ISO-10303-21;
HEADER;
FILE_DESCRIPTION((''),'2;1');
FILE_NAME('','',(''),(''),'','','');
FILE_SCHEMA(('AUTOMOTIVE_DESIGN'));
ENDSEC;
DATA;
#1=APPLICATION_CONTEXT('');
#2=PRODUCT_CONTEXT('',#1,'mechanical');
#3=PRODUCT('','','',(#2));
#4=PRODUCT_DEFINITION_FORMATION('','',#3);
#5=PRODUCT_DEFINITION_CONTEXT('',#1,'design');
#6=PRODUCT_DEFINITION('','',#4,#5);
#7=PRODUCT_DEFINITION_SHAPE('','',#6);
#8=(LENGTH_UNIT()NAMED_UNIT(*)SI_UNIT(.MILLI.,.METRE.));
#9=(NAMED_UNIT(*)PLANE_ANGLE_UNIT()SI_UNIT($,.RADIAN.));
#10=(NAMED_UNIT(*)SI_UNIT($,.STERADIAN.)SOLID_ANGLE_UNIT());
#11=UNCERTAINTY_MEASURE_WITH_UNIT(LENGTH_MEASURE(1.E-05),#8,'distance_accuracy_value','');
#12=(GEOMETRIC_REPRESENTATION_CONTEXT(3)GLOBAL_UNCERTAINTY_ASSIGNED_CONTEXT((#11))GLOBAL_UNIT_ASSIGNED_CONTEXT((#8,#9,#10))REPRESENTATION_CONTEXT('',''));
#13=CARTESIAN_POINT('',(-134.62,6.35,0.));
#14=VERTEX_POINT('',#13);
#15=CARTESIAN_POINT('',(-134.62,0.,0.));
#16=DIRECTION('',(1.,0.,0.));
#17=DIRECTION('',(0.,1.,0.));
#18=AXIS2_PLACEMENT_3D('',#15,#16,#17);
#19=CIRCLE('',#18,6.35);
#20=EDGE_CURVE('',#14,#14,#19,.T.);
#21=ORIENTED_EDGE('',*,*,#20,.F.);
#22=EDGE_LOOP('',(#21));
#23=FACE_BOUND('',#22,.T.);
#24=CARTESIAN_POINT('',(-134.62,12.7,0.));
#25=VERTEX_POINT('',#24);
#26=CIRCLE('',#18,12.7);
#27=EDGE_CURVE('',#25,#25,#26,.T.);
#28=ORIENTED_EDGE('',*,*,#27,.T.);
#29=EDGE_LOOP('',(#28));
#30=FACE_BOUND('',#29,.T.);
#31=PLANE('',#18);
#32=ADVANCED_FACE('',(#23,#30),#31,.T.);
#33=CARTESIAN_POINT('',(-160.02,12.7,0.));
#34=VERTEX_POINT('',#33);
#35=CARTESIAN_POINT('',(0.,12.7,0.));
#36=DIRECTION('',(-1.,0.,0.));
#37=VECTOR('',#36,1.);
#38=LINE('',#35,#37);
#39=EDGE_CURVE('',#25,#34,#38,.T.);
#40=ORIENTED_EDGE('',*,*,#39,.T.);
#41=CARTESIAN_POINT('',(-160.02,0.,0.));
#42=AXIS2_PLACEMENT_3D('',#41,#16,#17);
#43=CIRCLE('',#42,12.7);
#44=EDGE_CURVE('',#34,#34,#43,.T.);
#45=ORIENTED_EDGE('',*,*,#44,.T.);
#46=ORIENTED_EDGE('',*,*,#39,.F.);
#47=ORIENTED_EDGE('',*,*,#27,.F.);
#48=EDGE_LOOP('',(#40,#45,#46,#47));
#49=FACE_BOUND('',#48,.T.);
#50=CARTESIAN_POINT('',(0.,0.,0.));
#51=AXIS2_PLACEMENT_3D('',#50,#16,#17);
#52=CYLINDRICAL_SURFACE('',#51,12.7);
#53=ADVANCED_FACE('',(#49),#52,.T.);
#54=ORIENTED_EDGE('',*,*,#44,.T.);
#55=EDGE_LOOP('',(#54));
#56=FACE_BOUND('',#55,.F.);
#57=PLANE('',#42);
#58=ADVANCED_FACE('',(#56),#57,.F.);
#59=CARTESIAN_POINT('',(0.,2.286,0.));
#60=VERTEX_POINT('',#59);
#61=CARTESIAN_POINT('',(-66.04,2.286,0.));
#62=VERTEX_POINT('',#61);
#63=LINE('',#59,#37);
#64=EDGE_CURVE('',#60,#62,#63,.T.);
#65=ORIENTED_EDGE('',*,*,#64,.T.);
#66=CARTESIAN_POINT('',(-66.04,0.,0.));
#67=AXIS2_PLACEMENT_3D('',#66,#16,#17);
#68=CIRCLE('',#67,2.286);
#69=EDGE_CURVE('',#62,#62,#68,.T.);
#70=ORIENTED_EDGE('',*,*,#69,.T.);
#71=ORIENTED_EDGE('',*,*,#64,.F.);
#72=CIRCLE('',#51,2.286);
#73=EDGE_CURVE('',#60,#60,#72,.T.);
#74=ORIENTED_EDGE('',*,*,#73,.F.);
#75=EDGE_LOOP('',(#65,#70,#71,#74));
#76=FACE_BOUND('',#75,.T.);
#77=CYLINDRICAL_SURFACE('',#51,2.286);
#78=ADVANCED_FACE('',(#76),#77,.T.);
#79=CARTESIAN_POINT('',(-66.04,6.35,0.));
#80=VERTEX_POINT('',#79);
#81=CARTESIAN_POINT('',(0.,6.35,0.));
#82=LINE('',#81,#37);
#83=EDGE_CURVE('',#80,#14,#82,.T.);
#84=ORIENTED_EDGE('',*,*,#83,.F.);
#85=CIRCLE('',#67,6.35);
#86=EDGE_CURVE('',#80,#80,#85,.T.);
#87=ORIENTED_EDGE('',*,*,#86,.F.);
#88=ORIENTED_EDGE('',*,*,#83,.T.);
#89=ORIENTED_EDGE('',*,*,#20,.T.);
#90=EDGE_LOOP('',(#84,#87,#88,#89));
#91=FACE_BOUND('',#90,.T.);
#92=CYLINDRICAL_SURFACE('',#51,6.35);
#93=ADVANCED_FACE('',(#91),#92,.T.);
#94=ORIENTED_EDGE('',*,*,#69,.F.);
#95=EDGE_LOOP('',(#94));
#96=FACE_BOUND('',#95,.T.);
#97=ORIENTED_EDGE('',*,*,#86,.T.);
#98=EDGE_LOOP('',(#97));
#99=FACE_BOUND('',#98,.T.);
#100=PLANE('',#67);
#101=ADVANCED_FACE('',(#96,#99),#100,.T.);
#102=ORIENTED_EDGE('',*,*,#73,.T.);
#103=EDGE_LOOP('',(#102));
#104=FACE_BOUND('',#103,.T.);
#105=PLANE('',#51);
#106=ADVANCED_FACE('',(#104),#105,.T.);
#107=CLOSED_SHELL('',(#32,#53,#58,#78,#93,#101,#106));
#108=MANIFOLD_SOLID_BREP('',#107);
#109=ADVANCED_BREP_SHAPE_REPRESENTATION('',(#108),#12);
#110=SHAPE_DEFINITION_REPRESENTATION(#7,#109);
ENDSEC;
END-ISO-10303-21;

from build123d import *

# Parameters (mm, degrees)
F0_R     = 12.7
F1_DEPTH = 160.02
F2_R     = 12.7
F2_R_2   = 6.35
F3_DEPTH = 134.62
F4_R     = 6.35
F4_R_2   = 2.286
F5_DEPTH = 66.04


with BuildPart() as f1:
    # F0 (on Right) → F1 (new body)
    with BuildSketch(Plane.YZ):
        Circle(F0_R)
    extrude(amount=-F1_DEPTH)

    # F2 (on face) → F3 (cut)
    with BuildSketch(Plane.YZ):
        Circle(F2_R)
        Circle(F2_R_2, mode=Mode.SUBTRACT)
    extrude(amount=-F3_DEPTH, mode=Mode.SUBTRACT)

    # F4 (on face) → F5 (cut)
    with BuildSketch(Plane.YZ):
        Circle(F4_R)
        Circle(F4_R_2, mode=Mode.SUBTRACT)
    extrude(amount=-F5_DEPTH, mode=Mode.SUBTRACT)


solid = f1.part
